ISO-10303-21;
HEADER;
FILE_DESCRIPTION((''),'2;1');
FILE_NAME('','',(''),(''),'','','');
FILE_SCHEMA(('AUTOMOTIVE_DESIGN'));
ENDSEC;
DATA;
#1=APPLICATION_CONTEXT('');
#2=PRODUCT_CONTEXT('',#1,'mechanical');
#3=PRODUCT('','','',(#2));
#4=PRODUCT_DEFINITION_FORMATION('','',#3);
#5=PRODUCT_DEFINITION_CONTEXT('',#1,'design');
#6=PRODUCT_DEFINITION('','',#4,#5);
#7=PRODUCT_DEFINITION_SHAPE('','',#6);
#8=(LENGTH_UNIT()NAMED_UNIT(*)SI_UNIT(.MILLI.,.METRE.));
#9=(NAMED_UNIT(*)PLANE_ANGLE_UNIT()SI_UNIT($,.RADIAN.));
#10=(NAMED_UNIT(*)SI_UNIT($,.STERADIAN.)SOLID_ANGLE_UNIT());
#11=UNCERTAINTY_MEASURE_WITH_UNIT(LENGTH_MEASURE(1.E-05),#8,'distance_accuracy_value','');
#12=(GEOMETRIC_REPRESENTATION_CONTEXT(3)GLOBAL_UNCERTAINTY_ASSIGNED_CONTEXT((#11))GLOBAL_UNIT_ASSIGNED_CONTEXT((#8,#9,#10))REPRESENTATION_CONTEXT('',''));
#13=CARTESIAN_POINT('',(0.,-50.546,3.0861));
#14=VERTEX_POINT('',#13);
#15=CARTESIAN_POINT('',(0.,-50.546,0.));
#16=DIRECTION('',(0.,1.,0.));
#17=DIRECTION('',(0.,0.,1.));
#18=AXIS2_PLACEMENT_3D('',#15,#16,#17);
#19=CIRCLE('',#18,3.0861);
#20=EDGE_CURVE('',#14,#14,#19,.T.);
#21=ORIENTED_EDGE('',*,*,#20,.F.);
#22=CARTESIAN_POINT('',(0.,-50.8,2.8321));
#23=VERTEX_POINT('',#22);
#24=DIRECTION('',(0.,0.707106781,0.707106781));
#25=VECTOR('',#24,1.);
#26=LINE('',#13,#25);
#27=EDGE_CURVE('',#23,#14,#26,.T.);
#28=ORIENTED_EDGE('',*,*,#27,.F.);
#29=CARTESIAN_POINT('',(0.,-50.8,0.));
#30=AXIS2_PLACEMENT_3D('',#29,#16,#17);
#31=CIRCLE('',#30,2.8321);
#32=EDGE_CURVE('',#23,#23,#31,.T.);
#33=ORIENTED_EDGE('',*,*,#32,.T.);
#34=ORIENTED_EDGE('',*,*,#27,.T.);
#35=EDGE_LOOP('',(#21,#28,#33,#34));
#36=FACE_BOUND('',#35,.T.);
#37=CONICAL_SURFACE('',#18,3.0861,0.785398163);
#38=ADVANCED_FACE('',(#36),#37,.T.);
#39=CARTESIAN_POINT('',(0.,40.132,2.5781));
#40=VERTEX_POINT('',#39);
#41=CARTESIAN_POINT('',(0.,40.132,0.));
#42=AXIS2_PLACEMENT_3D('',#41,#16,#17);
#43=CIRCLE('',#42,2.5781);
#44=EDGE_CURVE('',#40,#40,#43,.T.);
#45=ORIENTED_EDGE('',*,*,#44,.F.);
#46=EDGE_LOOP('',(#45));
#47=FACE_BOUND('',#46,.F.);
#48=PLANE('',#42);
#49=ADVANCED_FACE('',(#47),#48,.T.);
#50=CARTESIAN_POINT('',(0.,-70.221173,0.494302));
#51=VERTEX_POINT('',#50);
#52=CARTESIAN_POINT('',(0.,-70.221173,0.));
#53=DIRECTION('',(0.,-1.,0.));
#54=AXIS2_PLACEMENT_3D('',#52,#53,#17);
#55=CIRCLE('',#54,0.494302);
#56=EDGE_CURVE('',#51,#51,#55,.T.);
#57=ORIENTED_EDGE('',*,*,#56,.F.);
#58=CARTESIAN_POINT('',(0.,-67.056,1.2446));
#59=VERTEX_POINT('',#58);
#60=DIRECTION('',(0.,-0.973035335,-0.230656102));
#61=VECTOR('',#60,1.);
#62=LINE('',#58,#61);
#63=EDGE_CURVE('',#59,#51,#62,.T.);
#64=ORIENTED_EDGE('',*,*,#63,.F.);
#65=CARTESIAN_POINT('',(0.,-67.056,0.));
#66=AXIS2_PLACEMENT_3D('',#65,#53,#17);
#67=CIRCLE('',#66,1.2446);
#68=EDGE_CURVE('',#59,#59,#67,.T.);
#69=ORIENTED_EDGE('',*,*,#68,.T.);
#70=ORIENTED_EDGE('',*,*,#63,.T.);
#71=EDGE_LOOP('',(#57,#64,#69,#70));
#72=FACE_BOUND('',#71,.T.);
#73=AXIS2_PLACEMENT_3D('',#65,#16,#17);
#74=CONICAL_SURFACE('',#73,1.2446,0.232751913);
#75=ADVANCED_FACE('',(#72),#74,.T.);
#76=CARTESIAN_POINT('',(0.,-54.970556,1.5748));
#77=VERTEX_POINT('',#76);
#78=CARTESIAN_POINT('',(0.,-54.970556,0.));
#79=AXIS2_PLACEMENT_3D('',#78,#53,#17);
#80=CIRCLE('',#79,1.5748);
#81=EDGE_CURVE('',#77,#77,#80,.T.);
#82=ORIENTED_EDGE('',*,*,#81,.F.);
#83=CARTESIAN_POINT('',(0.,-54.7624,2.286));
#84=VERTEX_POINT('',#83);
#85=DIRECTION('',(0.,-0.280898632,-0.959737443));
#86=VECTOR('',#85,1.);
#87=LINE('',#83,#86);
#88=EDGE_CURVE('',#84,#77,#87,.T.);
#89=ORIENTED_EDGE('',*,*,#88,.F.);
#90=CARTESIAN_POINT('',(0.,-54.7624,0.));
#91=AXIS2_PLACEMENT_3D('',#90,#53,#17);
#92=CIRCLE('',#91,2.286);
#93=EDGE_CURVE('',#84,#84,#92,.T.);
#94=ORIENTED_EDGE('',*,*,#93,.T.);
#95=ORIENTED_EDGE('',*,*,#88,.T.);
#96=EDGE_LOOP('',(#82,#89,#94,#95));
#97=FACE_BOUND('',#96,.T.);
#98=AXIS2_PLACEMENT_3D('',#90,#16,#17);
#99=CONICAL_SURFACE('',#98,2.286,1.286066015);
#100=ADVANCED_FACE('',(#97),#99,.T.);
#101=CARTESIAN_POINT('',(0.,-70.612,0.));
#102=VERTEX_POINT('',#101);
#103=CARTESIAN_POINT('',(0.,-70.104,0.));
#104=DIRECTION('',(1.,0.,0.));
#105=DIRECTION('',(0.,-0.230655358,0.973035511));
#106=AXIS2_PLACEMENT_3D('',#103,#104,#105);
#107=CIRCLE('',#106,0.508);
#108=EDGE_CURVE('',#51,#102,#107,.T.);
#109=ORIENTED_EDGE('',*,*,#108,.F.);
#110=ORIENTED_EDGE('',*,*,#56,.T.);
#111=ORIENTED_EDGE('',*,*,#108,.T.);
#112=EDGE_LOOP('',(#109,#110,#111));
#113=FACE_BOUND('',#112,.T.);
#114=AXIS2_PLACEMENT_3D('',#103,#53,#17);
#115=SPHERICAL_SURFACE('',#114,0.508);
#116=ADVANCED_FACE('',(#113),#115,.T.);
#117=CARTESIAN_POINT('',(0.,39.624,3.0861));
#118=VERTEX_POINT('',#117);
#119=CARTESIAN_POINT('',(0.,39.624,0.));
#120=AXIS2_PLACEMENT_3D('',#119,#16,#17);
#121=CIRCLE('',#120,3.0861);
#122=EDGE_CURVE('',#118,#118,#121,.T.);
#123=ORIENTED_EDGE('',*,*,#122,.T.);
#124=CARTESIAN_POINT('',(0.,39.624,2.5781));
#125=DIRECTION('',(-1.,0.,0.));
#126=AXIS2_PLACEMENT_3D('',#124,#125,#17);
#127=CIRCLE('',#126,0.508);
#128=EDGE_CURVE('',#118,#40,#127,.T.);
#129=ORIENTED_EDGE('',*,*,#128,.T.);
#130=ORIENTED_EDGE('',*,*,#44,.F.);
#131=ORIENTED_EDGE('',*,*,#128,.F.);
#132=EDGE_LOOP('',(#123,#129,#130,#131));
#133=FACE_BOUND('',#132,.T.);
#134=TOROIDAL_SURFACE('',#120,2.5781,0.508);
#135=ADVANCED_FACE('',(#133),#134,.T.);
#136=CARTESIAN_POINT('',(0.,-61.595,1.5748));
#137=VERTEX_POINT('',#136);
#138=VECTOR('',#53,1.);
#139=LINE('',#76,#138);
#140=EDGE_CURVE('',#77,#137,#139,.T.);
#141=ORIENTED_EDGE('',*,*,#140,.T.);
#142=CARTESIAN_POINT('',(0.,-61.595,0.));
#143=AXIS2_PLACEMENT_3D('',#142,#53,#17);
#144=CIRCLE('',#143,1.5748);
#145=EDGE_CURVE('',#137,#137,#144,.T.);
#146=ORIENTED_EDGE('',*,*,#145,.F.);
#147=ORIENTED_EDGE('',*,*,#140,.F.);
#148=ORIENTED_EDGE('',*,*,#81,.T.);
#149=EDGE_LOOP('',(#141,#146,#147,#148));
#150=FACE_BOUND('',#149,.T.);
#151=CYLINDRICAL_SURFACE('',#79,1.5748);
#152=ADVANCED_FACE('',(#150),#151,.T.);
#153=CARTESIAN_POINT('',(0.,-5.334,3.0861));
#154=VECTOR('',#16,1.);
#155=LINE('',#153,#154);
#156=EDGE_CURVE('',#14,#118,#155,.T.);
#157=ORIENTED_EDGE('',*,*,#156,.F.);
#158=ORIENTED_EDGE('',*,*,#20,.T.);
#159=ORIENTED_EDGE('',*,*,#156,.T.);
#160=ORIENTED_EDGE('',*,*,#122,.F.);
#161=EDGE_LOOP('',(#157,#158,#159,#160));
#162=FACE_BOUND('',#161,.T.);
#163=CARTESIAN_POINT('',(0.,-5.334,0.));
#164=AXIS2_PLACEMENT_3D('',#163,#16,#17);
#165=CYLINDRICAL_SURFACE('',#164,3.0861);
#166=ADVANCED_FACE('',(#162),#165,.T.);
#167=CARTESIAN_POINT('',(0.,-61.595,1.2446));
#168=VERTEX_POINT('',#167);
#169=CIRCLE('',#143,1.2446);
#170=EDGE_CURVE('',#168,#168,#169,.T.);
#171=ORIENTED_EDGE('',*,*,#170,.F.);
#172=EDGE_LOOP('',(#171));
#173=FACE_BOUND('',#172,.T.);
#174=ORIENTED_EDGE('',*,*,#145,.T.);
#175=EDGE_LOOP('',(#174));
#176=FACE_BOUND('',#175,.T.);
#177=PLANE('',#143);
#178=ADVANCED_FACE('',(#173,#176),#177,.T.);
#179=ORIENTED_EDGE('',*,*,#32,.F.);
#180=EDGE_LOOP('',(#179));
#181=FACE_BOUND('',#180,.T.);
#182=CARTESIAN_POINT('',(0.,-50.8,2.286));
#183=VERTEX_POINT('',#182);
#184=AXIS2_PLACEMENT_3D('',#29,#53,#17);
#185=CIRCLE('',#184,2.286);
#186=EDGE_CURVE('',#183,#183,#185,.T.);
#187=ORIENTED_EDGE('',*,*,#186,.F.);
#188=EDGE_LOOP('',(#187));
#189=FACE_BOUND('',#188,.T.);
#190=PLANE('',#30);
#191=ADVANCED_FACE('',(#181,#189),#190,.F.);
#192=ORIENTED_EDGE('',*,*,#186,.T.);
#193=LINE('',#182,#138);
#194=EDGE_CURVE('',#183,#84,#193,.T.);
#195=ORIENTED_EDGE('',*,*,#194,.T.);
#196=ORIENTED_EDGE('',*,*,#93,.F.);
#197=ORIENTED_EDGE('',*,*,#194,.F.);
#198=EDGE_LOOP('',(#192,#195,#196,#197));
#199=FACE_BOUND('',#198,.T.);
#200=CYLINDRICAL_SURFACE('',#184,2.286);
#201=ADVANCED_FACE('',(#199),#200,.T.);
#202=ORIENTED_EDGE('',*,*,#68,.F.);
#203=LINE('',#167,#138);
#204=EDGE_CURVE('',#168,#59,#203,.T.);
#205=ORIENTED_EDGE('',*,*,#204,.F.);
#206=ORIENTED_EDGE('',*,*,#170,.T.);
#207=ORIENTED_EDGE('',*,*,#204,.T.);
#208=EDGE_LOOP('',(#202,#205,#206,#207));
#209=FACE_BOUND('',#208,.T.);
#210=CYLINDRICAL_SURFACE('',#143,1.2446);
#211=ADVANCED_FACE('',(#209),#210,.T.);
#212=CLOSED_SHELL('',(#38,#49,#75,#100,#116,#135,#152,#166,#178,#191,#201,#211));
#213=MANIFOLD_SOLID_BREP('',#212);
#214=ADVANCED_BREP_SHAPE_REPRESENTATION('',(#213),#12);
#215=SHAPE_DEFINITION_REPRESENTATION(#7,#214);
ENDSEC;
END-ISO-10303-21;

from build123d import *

# Parameters (mm, degrees)
F0_W    = 90.932
F0_H    = 3.0861
F4_SIZE = 0.254
F5_R    = 0.508


with BuildPart() as f1:
    # F0 (on Right) → F1 (revolve)
    with BuildSketch(Plane.YZ):
        with Locations((-5.334, 1.54305)):
            Rectangle(F0_W, F0_H)
    revolve(axis=Axis((0, -5.334, 0), (0, 1, 0)))

    # F2 (on Right) → F3 (revolve)
    with BuildSketch(Plane.YZ):
        with BuildLine():
            Line((-70.612, 0), (-50.8, 0))
            Line((-50.8, 0), (-50.8, 1.2446))
            Line((-50.8, 1.2446), (-50.8, 2.286))
            Line((-50.8, 2.286), (-54.7624, 2.286))
            Line((-54.7624, 2.286), (-54.970556, 1.5748))
            Line((-54.970556, 1.5748), (-61.595, 1.5748))
            Line((-61.595, 1.5748), (-61.595, 1.2446))
            Line((-61.595, 1.2446), (-67.056, 1.2446))
            Line((-67.056, 1.2446), (-70.221173, 0.494302))
            ThreePointArc((-70.221173, 0.494302), (-70.50249, 0.315071), (-70.612, 0))
        make_face()
    revolve(axis=Axis((0, -60.706, 0), (0, -1, 0)))

    # F4
    f4_edges = [f1.edges().sort_by_distance(p)[0] for p in [
        (0, -50.8, -3.0861),
    ]]
    chamfer(f4_edges, length=F4_SIZE)

    # F5
    f5_edges = [f1.edges().sort_by_distance(p)[0] for p in [
        (0, 40.132, -3.0861),
    ]]
    fillet(f5_edges, radius=F5_R)


solid = f1.part
